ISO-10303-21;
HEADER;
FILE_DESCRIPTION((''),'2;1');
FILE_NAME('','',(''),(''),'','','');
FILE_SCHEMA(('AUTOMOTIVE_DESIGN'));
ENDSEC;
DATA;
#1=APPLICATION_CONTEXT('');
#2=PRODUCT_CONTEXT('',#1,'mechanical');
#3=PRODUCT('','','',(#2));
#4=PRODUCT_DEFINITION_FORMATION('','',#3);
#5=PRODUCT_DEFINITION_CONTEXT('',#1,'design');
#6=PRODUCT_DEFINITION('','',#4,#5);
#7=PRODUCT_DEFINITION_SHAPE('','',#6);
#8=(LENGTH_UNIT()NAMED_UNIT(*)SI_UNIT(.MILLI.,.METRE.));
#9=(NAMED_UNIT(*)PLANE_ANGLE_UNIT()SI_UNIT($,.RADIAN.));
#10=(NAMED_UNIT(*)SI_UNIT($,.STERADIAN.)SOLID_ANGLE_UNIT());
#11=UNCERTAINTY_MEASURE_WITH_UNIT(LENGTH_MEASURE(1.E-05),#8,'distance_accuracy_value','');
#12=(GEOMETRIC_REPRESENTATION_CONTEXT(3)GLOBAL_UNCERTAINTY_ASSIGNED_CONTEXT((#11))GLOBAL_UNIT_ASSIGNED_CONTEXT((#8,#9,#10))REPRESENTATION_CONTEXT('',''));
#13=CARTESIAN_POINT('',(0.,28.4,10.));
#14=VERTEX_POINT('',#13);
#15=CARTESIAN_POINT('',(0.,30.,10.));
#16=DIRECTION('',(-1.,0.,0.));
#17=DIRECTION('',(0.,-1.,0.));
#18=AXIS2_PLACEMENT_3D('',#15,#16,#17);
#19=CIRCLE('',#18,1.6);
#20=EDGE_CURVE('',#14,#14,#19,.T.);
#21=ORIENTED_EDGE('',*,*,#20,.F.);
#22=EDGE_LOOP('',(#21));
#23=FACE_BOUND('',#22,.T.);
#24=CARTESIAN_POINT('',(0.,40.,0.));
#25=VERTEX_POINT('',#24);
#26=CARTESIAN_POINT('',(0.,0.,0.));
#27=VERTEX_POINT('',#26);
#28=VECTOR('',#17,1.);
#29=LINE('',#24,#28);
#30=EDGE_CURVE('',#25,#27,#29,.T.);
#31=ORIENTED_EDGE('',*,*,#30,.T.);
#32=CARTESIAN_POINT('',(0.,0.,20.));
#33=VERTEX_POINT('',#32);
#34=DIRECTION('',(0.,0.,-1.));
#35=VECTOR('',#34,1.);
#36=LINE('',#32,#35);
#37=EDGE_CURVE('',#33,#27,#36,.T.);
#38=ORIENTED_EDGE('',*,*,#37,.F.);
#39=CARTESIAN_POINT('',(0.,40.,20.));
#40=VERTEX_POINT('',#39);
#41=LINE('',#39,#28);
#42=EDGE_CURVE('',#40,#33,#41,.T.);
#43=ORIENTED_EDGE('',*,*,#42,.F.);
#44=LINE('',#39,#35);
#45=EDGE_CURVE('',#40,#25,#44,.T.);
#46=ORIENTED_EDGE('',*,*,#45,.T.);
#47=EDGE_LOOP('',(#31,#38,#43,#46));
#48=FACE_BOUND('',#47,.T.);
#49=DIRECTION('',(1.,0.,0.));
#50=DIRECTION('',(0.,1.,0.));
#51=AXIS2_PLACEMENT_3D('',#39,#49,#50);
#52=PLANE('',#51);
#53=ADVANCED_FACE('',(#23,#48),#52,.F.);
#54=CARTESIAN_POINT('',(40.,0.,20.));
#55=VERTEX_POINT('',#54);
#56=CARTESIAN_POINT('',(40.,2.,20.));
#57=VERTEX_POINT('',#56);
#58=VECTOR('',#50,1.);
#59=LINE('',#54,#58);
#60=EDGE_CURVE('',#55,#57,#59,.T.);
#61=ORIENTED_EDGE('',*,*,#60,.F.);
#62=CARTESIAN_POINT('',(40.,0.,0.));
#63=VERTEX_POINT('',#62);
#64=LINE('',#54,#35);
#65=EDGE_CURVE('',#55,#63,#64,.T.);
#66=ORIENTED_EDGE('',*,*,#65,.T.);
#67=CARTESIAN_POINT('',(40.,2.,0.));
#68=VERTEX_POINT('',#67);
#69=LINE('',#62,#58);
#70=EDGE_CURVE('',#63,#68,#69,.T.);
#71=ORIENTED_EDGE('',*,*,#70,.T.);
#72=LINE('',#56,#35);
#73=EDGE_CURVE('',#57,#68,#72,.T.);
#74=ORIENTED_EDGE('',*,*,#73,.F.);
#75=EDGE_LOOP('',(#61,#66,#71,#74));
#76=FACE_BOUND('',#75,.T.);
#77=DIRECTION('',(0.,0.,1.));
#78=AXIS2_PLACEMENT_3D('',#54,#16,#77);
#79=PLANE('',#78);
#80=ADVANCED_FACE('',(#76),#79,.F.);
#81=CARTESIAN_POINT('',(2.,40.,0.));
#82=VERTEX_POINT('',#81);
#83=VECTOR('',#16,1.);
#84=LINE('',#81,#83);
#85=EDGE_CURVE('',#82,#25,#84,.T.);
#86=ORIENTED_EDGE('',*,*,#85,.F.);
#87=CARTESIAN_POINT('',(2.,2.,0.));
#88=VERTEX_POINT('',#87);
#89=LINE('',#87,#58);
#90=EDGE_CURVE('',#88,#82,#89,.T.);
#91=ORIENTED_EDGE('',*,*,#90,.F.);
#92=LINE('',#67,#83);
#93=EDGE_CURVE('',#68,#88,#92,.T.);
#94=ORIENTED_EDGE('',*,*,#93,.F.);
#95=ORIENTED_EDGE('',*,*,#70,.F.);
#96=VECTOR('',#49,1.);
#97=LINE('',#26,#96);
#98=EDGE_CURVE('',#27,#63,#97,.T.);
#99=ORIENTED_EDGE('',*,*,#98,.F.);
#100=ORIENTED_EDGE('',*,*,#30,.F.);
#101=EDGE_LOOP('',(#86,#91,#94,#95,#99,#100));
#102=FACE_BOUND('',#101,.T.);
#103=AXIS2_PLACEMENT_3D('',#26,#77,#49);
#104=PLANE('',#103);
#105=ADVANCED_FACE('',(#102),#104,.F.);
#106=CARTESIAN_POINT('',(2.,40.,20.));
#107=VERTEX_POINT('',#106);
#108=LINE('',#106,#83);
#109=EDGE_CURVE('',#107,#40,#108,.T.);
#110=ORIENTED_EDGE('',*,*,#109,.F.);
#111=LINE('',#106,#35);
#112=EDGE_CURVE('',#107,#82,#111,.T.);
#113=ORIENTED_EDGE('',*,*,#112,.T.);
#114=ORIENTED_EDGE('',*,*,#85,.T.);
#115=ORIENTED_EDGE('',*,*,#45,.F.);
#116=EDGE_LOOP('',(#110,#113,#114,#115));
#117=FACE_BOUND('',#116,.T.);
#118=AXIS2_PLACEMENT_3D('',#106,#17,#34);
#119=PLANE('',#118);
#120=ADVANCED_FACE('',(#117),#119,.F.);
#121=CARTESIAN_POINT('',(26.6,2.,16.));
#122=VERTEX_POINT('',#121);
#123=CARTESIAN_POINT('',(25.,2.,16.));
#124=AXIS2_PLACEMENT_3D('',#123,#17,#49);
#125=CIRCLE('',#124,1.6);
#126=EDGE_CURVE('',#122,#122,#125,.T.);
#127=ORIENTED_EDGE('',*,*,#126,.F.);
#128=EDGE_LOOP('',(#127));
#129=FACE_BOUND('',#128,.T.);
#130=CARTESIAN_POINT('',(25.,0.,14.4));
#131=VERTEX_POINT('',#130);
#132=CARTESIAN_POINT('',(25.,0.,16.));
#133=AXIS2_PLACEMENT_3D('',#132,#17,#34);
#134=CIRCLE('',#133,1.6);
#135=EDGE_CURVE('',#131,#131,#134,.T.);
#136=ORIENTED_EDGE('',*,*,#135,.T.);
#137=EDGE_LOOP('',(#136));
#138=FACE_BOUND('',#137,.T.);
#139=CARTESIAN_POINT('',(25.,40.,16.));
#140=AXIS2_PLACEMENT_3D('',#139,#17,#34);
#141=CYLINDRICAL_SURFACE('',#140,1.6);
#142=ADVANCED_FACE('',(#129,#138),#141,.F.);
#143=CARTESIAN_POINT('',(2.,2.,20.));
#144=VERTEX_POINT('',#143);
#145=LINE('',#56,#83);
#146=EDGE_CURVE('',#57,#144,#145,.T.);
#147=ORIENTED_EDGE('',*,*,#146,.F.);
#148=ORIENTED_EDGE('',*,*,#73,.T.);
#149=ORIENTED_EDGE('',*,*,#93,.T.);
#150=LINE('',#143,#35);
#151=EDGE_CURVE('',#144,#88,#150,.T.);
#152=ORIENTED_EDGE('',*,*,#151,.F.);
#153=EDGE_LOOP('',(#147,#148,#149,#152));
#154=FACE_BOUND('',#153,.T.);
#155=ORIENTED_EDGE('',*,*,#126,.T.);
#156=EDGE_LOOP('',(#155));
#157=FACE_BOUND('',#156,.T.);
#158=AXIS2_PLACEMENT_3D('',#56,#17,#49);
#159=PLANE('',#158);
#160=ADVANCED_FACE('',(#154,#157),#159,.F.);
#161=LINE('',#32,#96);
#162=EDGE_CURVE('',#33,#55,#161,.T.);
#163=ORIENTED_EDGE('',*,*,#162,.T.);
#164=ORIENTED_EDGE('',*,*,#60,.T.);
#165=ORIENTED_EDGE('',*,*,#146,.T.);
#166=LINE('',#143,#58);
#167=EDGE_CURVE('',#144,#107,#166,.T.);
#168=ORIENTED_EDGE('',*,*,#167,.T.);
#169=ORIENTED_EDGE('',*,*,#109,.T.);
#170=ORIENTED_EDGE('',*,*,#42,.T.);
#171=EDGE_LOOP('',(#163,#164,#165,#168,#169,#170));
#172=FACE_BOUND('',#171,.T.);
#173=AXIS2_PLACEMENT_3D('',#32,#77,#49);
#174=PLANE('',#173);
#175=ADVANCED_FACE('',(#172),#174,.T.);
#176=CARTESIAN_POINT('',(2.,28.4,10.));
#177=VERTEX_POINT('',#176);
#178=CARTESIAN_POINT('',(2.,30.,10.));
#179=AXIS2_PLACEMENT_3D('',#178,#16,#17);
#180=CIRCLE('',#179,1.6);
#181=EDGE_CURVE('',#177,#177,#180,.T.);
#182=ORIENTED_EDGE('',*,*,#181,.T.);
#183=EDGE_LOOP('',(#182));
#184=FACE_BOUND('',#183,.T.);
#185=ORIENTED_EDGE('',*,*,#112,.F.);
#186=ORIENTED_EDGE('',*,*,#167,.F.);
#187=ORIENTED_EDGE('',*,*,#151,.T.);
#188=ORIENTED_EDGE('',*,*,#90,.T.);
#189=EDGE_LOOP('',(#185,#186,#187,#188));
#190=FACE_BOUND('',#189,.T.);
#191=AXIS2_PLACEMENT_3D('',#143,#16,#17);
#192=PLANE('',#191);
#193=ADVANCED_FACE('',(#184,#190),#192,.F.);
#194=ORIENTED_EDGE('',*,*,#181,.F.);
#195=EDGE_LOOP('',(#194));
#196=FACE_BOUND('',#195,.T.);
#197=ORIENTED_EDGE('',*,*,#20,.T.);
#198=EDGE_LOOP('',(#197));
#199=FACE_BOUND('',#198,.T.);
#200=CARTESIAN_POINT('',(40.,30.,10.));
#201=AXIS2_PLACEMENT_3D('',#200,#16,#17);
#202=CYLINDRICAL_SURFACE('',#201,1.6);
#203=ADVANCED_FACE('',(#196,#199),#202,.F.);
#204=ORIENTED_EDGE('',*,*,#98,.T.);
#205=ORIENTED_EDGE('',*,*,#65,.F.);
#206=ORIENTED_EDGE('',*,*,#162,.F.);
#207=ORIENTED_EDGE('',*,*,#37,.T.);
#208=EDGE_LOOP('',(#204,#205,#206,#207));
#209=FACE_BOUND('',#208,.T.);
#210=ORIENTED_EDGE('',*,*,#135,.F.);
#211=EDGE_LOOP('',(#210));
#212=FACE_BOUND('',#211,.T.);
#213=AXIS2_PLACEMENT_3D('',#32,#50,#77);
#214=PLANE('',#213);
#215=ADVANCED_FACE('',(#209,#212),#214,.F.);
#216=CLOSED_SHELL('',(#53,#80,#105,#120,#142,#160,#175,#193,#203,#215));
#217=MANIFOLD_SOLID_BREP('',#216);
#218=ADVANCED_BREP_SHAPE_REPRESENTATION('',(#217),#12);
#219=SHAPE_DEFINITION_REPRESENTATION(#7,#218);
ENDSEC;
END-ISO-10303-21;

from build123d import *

# Parameters (mm, degrees)
EXTRUDE_1_DEPTH     = 20
SKETCH_3_R          = 1.6
CUT_EXTRUDE_2_DEPTH = 41
SKETCH_4_R          = 1.6
CUT_EXTRUDE_3_DEPTH = 41


with BuildPart() as part:
    # Эскиз1 → Бобышка-Вытянуть1 (new body)
    with BuildSketch(Plane.XY):
        Polygon((0, 0), (40, 0), (40, 2), (2, 2), (2, 40), (0, 40), align=None)
    extrude(amount=EXTRUDE_1_DEPTH)

    # Эскиз3 → Вырез-Вытянуть2 (cut, through all)
    with BuildSketch(Plane.ZY):
        with Locations((10, 30)):
            Circle(SKETCH_3_R)
    extrude(amount=-CUT_EXTRUDE_2_DEPTH, mode=Mode.SUBTRACT)

    # Эскиз4 → Вырез-Вытянуть3 (cut, through all)
    with BuildSketch(Plane.XZ):
        with Locations((25, 16)):
            Circle(SKETCH_4_R)
    extrude(amount=-CUT_EXTRUDE_3_DEPTH, mode=Mode.SUBTRACT)


solid = part.part
